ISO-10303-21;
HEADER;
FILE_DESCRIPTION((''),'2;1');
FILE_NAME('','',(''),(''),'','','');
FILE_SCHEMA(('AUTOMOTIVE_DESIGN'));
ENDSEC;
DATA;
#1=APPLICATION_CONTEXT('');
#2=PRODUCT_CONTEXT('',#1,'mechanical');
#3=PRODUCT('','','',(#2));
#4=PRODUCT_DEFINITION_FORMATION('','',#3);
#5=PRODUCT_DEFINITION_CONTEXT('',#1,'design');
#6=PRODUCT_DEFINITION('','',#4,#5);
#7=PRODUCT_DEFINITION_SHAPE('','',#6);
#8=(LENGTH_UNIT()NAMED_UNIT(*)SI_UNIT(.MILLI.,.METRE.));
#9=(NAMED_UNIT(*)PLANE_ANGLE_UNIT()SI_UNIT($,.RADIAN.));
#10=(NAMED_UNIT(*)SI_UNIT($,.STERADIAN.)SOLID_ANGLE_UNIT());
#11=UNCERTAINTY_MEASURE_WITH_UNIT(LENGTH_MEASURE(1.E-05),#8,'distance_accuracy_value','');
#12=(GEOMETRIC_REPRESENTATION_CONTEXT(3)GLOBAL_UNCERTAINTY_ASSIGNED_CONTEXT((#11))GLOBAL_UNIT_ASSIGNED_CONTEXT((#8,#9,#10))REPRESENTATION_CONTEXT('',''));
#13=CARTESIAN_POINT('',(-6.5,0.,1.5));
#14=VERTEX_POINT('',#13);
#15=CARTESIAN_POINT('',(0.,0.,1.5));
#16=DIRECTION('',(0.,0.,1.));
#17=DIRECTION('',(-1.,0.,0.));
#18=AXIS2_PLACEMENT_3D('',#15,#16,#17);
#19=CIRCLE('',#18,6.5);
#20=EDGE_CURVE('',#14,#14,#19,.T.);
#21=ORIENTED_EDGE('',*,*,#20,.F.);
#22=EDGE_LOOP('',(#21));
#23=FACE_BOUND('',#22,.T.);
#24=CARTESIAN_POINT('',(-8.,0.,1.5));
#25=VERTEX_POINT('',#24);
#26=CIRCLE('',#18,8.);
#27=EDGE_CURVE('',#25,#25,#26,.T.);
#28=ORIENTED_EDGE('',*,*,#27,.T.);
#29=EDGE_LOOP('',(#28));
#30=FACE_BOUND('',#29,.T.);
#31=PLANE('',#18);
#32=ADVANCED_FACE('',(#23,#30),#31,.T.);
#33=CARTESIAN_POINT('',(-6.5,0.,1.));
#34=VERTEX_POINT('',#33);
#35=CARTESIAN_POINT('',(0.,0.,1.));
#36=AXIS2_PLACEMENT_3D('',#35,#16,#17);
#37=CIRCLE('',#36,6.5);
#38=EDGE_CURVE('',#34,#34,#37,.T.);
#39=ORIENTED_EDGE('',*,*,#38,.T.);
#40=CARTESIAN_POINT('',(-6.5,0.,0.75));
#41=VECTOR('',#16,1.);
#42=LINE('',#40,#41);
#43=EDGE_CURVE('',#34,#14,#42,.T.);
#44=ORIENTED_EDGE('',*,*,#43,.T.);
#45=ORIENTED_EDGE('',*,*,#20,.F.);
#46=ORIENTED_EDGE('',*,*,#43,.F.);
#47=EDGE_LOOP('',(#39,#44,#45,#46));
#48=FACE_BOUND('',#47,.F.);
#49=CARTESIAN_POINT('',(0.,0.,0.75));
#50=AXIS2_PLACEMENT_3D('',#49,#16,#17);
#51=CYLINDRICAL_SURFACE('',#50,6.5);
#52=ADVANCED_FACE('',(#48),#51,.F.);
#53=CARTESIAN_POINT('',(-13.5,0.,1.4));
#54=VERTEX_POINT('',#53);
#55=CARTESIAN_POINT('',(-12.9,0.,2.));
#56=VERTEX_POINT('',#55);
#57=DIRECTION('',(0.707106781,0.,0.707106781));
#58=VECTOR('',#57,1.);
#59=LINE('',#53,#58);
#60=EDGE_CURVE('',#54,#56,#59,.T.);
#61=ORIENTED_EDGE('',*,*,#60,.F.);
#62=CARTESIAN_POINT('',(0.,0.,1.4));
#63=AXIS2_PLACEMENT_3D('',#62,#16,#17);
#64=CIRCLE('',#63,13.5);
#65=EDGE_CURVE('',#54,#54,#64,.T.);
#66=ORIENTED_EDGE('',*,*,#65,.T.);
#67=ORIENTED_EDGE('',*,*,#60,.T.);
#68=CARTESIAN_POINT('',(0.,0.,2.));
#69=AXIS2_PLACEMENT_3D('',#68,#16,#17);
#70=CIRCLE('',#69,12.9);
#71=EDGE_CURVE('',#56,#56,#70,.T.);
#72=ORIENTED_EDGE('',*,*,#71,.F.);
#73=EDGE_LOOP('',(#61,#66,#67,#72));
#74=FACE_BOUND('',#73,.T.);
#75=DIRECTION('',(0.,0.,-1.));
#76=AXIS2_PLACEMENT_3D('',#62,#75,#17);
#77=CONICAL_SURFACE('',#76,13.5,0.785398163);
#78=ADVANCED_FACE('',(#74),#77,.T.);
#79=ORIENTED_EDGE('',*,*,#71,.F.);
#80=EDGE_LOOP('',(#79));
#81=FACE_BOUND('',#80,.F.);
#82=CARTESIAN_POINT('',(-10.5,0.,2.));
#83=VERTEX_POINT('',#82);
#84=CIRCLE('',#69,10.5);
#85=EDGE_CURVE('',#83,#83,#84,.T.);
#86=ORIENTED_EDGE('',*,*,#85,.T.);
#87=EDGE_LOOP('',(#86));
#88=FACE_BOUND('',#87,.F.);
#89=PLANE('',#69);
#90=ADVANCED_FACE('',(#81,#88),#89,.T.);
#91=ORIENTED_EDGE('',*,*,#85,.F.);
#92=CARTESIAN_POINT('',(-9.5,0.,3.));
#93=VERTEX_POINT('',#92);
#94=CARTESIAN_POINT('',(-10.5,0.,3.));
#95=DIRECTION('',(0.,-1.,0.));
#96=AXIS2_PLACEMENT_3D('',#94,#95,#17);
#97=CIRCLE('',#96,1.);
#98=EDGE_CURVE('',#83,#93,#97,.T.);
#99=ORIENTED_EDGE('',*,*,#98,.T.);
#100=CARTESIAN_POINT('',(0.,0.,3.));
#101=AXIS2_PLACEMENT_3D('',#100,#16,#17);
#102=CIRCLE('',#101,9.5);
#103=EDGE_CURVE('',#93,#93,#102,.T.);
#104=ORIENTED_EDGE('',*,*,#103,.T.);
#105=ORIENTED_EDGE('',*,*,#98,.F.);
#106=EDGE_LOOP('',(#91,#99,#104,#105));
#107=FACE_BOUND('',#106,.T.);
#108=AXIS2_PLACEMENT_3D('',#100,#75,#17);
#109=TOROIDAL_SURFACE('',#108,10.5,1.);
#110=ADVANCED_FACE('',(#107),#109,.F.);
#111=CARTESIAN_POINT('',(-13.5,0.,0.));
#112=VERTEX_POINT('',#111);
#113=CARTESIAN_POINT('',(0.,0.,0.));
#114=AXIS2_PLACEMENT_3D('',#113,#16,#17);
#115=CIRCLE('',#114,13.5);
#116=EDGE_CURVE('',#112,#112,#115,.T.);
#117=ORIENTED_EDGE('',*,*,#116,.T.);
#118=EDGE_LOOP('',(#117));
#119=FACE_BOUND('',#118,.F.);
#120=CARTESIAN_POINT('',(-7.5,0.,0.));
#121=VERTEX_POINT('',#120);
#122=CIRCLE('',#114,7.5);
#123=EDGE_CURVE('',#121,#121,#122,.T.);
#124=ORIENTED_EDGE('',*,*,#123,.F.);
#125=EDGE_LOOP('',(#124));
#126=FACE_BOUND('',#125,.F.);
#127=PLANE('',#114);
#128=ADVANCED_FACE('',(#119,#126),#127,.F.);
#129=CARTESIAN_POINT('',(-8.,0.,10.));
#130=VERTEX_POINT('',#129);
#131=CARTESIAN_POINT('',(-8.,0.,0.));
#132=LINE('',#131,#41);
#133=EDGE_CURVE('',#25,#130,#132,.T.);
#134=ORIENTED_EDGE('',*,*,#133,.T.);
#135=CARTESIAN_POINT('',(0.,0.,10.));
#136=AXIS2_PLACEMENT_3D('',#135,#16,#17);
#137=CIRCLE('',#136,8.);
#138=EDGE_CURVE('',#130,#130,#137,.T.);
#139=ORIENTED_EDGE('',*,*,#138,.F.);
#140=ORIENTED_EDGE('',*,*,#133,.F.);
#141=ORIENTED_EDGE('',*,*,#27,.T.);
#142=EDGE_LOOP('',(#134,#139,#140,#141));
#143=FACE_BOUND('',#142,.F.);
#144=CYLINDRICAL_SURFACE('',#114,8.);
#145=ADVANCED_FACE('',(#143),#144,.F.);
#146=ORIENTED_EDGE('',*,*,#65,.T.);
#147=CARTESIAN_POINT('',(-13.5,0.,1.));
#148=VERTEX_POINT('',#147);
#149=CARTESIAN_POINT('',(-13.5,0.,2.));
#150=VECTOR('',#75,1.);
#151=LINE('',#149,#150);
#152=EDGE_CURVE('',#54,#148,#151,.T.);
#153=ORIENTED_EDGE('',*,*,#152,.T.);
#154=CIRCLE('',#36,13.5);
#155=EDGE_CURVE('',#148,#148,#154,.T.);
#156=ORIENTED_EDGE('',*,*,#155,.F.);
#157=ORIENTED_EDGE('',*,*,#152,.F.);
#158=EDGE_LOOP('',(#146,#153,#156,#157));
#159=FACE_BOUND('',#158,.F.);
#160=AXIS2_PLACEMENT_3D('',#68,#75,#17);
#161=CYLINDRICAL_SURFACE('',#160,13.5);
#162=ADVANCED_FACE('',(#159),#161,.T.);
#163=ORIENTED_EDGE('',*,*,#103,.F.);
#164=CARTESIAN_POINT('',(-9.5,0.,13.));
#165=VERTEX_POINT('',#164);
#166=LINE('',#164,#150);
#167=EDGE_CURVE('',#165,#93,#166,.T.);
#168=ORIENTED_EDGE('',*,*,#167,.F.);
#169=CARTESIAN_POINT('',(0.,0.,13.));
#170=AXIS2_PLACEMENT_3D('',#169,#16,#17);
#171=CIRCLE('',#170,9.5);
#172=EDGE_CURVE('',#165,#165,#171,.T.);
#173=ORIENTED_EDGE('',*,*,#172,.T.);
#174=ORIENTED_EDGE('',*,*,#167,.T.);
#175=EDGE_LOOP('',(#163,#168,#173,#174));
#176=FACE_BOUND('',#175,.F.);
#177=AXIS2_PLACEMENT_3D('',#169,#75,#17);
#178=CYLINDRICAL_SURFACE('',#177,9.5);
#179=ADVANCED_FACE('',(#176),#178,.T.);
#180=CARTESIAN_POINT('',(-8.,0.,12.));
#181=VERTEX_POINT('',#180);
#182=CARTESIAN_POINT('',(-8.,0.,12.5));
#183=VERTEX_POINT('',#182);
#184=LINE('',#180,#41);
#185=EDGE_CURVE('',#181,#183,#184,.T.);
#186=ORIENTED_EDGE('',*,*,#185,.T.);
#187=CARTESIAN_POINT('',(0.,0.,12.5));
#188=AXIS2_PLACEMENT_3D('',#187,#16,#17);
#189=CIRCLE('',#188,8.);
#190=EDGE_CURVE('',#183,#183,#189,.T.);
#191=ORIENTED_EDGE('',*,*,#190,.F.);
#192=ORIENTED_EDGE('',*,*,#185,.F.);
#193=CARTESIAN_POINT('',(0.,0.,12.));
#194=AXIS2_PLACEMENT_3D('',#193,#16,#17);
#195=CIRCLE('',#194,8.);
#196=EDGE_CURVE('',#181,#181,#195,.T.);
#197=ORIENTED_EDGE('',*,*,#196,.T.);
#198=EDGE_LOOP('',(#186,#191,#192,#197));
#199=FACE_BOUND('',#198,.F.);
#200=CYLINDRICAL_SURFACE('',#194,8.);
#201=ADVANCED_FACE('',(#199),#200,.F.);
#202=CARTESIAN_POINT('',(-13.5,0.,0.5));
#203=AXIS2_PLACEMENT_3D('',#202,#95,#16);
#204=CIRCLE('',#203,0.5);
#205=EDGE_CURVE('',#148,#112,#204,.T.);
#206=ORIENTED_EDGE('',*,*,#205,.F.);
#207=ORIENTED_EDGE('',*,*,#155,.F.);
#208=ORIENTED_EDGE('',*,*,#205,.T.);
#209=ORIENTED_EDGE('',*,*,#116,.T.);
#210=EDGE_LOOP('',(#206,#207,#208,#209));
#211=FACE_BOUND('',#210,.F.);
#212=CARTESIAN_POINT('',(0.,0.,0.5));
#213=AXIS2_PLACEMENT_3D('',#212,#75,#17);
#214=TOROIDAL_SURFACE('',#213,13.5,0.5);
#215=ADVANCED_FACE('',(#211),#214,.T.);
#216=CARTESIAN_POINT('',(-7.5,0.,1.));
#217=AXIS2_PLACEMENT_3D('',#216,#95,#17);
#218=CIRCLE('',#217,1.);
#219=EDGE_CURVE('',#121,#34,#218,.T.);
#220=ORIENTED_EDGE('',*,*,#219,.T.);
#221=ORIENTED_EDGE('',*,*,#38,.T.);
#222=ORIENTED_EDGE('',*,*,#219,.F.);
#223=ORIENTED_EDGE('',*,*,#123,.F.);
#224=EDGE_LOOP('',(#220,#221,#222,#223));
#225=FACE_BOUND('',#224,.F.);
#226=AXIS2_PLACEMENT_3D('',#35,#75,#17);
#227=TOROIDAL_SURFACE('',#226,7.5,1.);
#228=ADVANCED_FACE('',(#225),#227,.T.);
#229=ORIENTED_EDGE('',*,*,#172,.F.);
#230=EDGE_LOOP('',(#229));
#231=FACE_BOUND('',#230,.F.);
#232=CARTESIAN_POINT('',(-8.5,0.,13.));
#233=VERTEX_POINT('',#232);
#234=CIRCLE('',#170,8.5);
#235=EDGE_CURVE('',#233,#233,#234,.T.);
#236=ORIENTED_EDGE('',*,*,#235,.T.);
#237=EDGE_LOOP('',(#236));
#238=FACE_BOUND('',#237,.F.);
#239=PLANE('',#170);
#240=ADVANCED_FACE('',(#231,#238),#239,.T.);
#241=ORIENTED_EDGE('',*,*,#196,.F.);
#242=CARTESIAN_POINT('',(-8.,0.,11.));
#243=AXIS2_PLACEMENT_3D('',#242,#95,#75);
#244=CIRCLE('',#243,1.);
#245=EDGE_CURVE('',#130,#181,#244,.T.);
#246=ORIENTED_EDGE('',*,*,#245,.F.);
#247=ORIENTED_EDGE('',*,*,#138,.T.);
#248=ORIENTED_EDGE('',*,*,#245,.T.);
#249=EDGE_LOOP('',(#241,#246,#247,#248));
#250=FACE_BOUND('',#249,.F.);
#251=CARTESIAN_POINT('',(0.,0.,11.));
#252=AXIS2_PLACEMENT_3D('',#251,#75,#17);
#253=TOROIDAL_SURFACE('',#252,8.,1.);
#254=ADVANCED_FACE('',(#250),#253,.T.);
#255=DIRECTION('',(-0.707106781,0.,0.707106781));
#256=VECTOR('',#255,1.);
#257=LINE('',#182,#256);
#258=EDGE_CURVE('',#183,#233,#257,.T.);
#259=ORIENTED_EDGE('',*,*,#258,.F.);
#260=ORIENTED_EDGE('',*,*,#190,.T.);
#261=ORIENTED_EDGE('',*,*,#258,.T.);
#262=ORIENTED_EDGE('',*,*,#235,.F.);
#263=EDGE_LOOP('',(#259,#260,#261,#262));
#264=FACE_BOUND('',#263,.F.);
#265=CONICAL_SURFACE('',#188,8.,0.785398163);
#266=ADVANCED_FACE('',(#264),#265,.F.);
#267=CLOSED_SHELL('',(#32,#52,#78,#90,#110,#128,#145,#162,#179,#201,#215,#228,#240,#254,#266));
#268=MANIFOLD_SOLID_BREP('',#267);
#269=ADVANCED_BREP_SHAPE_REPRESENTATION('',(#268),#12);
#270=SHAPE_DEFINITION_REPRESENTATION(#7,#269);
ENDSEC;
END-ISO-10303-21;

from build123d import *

# Parameters (mm, degrees)
F5_SIZE = 0.6
F6_W    = 1.5
F6_H    = 1.5
F8_R    = 1


with BuildPart() as f2:
    # F0 (on Front) → F2 (revolve)
    with BuildSketch(Plane.XZ):
        with BuildLine():
            Line((-13.5, 2), (-13.5, 0))
            Line((-13.5, 0), (-8, 0))
            Line((-8, 0), (-8, 10))
            ThreePointArc((-8, 10), (-7, 11), (-8, 12))
            Line((-8, 12), (-8, 12.5))
            Line((-8, 12.5), (-8.5, 13))
            Line((-8.5, 13), (-9.5, 13))
            Line((-9.5, 13), (-9.5, 2))
            Line((-9.5, 2), (-13.5, 2))
        make_face()
    revolve(axis=Axis((0, 0, 16.170651), (0, 0, 1)))

    # F3 (on Front) → F4 (revolve)
    with BuildSketch(Plane.XZ):
        with BuildLine():
            ThreePointArc((-13.5, 1), (-14, 0.5), (-13.5, 0))
            Line((-13.5, 0), (-13.5, 1))
        make_face()
    revolve(axis=Axis((0, 0, 16.170651), (0, 0, 1)))

    # F5
    f5_edges = [f2.edges().sort_by_distance(p)[0] for p in [
        (13.5, 0, 2),
    ]]
    chamfer(f5_edges, length=F5_SIZE)

    # F6 (on Front) → F7 (revolve)
    with BuildSketch(Plane.XZ):
        with Locations((-7.25, 0.75)):
            Rectangle(F6_W, F6_H)
    revolve(axis=Axis((0, 0, 16.170651), (0, 0, 1)))

    # F8
    f8_edges = [f2.edges().sort_by_distance(p)[0] for p in [
        (9.5, 0, 2),
        (6.5, 0, 0),
    ]]
    fillet(f8_edges, radius=F8_R)


solid = f2.part
